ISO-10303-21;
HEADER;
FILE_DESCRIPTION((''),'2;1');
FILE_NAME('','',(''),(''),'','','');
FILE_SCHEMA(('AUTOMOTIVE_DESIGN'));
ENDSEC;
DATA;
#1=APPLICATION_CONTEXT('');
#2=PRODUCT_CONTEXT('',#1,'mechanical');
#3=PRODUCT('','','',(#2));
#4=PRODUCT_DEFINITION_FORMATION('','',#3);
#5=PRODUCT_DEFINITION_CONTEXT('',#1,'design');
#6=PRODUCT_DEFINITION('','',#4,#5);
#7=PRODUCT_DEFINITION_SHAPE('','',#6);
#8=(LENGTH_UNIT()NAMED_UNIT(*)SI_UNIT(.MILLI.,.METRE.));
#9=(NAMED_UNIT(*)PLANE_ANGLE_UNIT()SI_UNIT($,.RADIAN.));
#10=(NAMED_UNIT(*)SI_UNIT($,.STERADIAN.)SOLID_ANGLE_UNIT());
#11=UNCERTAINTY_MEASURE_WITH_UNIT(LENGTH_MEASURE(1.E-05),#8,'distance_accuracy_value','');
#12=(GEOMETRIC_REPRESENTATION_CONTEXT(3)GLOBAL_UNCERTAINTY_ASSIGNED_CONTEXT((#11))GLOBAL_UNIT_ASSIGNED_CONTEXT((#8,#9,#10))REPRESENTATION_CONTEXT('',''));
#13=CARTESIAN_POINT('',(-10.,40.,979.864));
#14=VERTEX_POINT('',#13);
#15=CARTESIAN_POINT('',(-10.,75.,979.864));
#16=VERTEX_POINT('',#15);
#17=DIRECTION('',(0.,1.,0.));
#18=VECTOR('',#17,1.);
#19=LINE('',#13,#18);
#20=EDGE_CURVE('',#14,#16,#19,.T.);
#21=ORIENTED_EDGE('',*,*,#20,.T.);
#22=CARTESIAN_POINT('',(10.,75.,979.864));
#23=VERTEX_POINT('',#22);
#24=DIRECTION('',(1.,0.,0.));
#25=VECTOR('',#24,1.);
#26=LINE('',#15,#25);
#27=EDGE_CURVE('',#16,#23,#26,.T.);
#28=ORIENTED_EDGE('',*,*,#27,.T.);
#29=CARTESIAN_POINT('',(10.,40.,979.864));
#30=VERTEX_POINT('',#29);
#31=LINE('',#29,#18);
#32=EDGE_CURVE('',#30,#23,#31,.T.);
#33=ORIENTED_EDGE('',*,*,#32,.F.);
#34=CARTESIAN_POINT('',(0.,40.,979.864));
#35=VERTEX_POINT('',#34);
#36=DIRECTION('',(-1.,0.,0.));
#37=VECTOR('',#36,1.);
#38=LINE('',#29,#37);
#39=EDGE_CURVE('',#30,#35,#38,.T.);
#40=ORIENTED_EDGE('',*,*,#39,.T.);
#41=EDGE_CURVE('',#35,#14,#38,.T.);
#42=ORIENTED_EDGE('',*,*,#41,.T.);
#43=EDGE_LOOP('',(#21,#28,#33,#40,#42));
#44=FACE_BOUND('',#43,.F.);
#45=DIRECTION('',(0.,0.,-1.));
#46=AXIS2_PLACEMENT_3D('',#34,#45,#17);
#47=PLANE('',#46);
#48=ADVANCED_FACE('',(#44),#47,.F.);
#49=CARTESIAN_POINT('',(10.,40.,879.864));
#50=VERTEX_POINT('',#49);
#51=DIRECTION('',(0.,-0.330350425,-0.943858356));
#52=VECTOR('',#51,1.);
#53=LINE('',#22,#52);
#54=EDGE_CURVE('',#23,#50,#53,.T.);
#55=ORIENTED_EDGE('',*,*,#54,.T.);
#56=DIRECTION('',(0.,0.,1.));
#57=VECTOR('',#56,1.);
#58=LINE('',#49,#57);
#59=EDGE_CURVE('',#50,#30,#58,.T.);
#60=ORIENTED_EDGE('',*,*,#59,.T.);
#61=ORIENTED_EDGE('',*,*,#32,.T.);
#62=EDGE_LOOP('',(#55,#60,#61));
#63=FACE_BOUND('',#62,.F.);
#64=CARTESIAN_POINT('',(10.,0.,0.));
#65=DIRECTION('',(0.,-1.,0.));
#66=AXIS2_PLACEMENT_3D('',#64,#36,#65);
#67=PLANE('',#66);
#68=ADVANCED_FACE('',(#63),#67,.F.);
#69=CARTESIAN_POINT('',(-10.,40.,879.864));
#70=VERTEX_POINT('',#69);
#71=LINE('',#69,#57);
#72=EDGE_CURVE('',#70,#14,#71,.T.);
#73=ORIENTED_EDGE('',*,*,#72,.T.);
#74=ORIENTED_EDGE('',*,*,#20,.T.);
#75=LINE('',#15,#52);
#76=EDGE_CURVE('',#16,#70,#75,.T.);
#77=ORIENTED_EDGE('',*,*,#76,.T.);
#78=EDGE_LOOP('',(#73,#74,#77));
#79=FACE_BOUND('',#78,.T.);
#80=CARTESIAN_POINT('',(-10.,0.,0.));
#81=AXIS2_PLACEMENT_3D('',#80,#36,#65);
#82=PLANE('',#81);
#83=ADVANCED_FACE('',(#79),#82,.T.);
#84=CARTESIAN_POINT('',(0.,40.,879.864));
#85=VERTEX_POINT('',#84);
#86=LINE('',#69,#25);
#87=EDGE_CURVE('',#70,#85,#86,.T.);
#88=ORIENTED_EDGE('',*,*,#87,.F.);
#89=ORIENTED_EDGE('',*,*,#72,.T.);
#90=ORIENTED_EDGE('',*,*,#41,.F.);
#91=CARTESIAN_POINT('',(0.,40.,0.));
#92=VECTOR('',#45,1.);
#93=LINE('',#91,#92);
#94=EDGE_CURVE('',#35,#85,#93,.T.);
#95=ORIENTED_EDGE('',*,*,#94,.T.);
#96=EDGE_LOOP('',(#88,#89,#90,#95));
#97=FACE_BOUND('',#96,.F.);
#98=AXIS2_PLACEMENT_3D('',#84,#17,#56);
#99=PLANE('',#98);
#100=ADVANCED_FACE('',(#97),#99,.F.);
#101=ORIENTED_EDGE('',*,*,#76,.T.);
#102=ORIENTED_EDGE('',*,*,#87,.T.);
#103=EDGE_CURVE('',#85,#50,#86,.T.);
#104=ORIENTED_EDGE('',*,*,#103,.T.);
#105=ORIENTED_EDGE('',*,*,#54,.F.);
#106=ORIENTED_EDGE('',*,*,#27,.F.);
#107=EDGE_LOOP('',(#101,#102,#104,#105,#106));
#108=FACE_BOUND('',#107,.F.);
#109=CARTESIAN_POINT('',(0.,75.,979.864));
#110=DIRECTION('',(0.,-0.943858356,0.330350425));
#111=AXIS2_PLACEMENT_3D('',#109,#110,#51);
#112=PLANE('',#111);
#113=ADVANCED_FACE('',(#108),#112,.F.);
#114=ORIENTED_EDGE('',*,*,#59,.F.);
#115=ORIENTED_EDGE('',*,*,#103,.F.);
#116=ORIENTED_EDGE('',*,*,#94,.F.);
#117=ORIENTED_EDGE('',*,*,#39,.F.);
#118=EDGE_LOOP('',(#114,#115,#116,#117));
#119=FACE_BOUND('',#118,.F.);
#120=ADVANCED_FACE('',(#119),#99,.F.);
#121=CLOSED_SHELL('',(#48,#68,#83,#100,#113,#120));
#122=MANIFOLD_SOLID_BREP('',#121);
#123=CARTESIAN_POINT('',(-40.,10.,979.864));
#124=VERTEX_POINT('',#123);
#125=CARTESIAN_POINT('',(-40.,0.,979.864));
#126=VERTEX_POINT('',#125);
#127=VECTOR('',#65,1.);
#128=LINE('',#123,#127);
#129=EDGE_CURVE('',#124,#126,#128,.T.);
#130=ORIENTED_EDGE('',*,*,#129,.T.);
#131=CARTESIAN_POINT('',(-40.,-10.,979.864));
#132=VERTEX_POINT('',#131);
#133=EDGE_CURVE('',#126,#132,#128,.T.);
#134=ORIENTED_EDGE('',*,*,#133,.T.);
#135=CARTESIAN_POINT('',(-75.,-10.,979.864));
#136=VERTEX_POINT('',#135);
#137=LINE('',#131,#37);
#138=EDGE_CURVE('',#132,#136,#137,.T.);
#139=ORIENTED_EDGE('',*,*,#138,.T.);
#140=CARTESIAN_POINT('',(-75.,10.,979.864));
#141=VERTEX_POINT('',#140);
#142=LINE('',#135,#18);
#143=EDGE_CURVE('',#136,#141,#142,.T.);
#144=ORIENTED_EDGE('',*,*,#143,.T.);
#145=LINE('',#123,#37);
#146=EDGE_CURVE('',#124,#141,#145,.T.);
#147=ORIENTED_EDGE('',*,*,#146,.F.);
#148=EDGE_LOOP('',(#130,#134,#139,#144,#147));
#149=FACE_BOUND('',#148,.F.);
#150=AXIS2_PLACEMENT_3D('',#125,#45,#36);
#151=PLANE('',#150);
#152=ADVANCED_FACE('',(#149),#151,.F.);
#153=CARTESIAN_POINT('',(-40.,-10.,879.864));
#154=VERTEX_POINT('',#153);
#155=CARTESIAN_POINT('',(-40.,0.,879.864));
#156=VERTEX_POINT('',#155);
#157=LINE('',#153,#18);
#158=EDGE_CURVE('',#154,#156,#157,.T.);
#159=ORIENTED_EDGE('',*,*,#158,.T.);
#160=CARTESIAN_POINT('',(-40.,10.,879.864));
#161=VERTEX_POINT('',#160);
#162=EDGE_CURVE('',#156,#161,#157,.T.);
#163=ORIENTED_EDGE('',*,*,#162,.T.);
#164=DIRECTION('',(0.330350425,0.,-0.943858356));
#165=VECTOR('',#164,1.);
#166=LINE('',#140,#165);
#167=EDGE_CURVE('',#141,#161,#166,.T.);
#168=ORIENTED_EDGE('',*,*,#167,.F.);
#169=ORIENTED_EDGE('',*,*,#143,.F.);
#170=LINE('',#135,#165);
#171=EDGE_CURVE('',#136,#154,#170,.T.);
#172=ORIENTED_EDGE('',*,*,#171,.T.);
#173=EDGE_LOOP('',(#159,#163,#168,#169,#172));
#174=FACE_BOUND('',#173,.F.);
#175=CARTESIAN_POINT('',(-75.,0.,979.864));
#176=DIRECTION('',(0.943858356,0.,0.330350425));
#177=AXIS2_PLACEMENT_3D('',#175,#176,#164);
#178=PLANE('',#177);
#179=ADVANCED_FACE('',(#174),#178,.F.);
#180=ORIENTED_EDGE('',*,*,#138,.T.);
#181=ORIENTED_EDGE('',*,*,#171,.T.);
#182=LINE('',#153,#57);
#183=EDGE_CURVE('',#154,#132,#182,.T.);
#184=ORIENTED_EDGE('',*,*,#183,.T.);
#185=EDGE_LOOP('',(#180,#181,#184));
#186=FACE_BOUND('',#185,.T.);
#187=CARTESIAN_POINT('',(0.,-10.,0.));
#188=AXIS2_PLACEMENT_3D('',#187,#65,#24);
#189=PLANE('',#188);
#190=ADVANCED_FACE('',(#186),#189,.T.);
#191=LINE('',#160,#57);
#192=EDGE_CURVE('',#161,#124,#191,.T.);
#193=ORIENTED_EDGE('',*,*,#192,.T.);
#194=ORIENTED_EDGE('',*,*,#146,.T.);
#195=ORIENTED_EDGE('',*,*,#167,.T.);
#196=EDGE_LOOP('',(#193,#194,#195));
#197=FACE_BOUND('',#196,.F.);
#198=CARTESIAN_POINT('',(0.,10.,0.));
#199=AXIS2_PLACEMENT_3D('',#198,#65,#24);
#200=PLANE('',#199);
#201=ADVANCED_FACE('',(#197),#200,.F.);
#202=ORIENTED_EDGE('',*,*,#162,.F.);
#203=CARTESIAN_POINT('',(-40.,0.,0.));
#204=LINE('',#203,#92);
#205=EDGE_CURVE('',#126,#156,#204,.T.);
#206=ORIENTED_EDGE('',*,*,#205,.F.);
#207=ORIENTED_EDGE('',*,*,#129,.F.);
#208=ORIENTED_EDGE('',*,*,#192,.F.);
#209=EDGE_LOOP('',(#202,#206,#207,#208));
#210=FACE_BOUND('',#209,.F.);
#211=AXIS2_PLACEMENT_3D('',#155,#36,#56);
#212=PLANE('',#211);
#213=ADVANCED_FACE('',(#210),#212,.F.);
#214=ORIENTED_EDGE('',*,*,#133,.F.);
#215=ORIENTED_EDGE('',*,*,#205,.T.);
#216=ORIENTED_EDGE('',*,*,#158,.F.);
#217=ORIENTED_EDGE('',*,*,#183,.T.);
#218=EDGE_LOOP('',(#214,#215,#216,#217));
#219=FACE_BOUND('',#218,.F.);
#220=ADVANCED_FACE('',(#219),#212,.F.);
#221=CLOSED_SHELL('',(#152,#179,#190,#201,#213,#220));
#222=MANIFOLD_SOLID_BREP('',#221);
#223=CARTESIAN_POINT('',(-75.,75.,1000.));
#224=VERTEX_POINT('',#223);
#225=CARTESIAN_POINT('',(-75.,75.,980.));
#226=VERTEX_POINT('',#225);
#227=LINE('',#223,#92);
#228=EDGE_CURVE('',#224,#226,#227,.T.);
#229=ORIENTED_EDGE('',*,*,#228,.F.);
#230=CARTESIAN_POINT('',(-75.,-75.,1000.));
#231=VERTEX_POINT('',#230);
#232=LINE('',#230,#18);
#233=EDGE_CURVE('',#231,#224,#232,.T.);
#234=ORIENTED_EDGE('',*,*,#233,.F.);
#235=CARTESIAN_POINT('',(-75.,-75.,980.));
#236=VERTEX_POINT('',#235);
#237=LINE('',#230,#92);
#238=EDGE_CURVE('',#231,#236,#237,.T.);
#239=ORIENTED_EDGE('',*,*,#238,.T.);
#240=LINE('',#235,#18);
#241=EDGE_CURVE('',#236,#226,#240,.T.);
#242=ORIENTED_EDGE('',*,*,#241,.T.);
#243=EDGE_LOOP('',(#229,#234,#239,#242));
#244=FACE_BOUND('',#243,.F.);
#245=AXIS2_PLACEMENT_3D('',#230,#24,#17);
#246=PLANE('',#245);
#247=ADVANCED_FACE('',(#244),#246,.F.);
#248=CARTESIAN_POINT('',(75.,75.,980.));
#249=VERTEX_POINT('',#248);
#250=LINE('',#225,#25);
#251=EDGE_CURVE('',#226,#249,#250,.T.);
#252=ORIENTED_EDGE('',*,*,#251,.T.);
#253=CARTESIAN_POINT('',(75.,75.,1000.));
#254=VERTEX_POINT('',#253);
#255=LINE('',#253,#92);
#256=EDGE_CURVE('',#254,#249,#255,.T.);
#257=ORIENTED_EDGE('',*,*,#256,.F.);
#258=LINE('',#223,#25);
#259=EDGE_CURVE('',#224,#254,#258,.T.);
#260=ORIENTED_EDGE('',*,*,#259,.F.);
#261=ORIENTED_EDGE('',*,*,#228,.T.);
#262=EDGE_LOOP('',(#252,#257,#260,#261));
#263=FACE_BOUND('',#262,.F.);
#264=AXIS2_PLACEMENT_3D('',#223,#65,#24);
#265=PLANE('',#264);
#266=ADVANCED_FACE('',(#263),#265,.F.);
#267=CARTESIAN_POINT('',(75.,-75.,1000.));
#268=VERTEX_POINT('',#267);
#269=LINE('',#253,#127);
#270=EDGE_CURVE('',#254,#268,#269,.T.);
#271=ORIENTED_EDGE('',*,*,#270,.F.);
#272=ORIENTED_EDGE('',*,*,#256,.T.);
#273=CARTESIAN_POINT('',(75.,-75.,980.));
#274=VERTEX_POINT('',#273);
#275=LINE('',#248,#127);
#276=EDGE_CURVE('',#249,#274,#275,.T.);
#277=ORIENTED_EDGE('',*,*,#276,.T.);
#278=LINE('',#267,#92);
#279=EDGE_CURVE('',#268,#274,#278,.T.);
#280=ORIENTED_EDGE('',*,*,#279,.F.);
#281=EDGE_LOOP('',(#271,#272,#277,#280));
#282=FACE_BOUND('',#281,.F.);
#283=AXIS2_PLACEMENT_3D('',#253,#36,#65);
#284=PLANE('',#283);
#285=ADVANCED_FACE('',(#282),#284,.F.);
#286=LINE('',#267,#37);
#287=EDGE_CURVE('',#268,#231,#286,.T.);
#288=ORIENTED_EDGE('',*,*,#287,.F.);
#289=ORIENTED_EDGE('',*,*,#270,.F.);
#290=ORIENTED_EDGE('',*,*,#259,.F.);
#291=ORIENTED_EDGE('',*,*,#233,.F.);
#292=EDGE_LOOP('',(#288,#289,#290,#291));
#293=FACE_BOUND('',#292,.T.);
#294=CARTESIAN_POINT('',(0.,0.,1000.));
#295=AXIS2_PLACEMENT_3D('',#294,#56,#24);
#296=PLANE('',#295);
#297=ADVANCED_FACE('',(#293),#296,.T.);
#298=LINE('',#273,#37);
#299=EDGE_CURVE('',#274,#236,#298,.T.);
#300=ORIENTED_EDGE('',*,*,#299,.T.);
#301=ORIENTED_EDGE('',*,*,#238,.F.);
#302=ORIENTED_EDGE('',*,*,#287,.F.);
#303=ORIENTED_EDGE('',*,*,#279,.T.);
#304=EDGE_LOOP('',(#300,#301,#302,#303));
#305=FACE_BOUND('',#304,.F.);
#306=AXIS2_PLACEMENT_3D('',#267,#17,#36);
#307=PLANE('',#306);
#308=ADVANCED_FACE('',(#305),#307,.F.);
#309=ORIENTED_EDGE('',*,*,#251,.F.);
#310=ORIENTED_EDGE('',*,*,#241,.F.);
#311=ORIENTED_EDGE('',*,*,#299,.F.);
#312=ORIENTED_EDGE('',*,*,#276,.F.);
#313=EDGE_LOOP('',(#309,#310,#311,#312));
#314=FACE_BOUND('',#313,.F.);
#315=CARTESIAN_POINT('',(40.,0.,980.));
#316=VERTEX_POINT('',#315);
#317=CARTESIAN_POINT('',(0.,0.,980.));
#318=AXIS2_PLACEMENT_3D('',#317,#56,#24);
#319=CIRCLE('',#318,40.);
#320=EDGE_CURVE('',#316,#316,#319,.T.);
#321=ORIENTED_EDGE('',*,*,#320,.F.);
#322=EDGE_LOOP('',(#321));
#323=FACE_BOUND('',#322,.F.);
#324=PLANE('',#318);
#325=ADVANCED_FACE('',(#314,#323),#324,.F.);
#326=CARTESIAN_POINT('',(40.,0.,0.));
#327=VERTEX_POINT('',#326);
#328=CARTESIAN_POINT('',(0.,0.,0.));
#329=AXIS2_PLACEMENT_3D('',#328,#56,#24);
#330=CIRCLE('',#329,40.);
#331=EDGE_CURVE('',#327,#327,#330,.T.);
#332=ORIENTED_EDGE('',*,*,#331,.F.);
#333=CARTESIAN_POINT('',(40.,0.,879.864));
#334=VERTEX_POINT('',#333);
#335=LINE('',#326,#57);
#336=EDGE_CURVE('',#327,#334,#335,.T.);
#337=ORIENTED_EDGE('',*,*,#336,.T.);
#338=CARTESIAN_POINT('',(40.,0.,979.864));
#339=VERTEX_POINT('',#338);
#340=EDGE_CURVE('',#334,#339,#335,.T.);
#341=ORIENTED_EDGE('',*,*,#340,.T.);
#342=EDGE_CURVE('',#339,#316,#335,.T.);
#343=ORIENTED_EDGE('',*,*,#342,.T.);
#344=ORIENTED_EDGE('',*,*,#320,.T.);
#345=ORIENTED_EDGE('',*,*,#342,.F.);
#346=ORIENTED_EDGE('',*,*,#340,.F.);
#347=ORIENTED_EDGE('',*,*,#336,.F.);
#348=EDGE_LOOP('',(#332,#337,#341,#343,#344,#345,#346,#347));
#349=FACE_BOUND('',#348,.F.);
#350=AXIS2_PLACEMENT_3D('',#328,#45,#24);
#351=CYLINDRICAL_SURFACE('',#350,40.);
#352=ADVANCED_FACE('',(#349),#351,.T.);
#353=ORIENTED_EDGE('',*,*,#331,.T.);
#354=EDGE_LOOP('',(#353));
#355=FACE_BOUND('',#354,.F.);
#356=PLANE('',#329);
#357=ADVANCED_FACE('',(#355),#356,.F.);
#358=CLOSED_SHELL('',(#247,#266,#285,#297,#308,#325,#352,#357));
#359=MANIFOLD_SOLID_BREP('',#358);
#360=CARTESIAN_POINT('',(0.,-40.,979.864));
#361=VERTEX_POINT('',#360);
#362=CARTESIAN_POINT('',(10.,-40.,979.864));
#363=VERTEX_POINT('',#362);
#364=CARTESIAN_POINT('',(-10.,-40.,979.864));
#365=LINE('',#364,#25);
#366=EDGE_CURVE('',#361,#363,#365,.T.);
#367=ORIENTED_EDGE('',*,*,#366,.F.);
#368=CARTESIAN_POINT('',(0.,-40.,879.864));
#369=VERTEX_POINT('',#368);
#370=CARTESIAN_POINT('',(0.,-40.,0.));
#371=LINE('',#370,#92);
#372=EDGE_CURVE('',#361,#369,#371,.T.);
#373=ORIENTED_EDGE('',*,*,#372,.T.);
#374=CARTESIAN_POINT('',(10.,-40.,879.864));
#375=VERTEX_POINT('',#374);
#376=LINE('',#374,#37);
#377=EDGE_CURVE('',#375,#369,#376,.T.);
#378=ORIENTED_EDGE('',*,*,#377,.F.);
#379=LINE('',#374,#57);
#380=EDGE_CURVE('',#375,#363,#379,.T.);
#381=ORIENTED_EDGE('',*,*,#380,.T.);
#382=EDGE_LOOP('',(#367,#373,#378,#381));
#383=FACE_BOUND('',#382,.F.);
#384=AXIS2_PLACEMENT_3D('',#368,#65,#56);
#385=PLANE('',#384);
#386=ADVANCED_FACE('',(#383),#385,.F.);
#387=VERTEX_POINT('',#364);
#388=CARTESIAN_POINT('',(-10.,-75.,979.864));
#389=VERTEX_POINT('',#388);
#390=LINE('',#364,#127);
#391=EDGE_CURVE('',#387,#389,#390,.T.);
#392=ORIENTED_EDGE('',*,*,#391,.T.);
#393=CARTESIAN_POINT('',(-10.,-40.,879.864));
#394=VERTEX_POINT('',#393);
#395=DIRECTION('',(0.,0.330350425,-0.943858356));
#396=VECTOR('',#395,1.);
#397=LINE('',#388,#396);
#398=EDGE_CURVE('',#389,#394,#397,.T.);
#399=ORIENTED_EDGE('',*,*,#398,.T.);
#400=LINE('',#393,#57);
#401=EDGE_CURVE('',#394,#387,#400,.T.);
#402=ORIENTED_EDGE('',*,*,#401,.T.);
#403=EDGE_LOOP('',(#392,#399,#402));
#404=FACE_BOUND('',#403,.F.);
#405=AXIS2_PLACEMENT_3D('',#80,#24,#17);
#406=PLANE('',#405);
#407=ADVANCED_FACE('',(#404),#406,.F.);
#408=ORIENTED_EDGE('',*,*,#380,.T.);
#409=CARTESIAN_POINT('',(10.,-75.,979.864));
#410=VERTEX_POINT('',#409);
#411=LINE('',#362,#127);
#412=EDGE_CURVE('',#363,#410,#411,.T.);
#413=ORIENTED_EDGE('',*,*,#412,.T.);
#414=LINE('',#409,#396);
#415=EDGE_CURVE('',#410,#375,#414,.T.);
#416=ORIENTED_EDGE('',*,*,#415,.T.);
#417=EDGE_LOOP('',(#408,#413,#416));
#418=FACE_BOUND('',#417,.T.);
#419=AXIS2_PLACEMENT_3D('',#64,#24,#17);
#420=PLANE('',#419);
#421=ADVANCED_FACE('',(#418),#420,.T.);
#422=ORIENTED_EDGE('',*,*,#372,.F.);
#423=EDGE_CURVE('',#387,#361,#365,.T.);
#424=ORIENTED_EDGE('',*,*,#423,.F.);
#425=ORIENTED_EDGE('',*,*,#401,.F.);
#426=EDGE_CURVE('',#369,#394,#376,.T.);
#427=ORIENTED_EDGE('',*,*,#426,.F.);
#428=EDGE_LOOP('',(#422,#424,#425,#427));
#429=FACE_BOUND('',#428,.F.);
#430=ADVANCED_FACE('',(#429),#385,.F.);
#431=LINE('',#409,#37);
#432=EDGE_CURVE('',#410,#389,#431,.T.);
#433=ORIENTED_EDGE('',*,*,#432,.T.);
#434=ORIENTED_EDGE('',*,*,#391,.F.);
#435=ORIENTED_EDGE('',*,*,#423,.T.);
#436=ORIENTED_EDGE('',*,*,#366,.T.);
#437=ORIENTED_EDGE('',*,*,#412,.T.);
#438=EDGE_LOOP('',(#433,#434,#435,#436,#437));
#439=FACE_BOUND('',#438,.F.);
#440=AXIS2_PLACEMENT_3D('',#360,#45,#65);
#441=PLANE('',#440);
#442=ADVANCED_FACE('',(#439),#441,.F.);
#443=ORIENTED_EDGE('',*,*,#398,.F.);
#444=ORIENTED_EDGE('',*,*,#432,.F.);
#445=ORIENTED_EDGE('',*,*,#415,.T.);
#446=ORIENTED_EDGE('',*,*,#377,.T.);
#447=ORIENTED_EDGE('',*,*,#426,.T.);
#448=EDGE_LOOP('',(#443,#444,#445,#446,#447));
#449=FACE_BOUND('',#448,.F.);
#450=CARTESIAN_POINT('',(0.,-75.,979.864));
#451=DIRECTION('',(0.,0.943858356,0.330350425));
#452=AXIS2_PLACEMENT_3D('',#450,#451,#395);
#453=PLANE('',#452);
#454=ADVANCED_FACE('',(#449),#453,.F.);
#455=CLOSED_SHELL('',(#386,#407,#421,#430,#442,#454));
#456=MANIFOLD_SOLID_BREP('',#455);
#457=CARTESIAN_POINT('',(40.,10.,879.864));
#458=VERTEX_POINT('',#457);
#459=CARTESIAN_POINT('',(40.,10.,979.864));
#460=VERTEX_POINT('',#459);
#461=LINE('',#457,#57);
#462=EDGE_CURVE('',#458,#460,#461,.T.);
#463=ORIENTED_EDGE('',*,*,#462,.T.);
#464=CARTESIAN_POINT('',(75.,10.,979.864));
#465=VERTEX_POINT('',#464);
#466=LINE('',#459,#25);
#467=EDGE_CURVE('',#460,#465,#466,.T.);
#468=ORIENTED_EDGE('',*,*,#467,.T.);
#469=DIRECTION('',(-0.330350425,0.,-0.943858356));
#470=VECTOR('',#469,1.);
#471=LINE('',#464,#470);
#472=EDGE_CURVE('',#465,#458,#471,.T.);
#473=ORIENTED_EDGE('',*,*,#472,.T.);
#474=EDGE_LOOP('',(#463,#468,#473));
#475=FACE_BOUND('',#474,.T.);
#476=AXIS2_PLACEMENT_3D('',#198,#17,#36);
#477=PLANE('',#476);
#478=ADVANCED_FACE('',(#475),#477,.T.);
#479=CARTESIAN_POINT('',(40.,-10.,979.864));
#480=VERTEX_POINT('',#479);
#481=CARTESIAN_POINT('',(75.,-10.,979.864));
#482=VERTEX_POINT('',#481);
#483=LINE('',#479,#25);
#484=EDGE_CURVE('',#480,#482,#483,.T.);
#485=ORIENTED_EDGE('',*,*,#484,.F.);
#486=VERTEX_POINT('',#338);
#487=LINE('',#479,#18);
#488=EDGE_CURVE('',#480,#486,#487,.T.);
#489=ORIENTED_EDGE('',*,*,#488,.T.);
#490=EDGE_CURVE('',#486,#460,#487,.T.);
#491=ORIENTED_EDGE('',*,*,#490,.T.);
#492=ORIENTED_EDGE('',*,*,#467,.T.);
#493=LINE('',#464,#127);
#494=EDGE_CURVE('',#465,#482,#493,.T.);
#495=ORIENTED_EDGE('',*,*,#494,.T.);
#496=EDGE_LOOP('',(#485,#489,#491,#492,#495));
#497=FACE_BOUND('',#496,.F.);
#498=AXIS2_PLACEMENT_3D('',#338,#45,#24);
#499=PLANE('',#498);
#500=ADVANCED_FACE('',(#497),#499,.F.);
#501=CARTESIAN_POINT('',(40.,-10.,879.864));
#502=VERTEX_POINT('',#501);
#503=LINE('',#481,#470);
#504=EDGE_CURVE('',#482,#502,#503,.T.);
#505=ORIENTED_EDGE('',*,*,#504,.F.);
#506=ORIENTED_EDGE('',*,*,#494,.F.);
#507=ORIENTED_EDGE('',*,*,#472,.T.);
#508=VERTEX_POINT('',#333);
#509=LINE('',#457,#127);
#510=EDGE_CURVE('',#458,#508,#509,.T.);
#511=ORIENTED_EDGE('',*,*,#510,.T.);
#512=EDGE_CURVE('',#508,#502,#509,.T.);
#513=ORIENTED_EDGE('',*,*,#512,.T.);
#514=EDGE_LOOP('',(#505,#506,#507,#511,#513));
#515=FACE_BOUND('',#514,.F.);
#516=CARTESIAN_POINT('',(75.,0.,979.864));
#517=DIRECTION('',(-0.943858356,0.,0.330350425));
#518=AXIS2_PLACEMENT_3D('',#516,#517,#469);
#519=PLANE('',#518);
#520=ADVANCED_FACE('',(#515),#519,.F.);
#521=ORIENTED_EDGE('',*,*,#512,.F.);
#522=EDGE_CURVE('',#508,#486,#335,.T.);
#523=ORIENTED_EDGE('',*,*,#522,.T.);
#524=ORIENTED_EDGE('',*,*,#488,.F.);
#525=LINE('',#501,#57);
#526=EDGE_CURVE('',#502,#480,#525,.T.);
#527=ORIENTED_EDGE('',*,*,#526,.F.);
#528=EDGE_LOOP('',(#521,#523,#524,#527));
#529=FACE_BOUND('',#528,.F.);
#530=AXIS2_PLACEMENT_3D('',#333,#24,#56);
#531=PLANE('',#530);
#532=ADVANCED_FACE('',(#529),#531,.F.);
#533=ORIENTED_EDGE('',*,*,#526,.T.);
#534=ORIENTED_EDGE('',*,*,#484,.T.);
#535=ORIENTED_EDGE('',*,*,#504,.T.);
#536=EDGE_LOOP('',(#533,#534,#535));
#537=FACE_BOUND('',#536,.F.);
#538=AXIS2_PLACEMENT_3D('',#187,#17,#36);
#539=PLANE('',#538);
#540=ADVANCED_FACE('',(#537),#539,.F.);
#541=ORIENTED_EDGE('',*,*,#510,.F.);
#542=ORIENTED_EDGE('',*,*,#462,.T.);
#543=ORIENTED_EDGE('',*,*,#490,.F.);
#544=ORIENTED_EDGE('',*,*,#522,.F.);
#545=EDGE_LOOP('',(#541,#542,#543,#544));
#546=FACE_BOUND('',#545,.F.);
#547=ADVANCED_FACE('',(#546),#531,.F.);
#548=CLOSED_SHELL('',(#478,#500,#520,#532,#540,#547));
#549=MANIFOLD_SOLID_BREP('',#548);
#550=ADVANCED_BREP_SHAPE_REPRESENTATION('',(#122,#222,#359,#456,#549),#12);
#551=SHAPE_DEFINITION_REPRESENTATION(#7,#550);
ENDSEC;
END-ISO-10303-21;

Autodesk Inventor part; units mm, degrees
ref_plane "YZ Plane" through (0, 0, 0) normal (1, 0, 0) x (0, 1, 0)
ref_plane "XZ Plane" through (0, 0, 0) normal (0, 1, 0) x (-1, 0, 0)
ref_plane "XY Plane" through (0, 0, 0) normal (0, 0, 1) x (1, 0, 0)
sketch "Sketch1" plane through (0, 0, 0) normal (0, 0, 1) x (1, 0, 0)
  circle A0 centre (0, 0) radius 40
  dimension "d0" = 80
extrude "Extrusion1" add sketch "Sketch1" along normal blind 1000
sketch "Sketch2" plane through (0, 0, 0) normal (0, 1, 0) x (-1, 0, 0)
  point P0 (0, 0)
sketch "Sketch3" plane through (0, 0, 1000) normal (0, 0, 1) x (1, 0, 0)
  circle A0 centre (0, 0) radius 40 projected
  line L0 (-75, 75) -> (75, 75)
  line L1 (75, 75) -> (75, -75)
  line L2 (75, -75) -> (-75, -75)
  line L3 (-75, -75) -> (-75, 75)
  line L4 (-75, 75) -> (75, -75) construction
  line L5 (75, 75) -> (-75, -75) construction
  dimension "d3" = 150
  dimension "d4" = 150
extrude "Extrusion2" add sketch "Sketch3" against normal blind 20
sketch "Sketch5" plane through (0, 0, 0) normal (0, 1, 0) x (-1, 0, 0)
  line L0 (0, 1000.0314) -> (-40, 1000.0314)
  line L1 (-40, 1000.0314) -> (-40, 979.864)
  line L2 (-40, 979.864) -> (-75, 979.864)
  line L3 (-75, 979.864) -> (-40, 879.864)
  line L4 (-40, 879.864) -> (-40, 979.864)
  point P0 (0, 0)
  dimension "d13" = 40
  dimension "d14" = 35
  dimension "d15" = 100
extrude "Extrusion3" add sketch "Sketch5" along normal mid plane 20
pattern_circular "Circular Pattern1" count 4 over 360 about axis through (0, 0, 0) along (0, 0, 1) of "Extrusion3"
properties part number "badan 2"
